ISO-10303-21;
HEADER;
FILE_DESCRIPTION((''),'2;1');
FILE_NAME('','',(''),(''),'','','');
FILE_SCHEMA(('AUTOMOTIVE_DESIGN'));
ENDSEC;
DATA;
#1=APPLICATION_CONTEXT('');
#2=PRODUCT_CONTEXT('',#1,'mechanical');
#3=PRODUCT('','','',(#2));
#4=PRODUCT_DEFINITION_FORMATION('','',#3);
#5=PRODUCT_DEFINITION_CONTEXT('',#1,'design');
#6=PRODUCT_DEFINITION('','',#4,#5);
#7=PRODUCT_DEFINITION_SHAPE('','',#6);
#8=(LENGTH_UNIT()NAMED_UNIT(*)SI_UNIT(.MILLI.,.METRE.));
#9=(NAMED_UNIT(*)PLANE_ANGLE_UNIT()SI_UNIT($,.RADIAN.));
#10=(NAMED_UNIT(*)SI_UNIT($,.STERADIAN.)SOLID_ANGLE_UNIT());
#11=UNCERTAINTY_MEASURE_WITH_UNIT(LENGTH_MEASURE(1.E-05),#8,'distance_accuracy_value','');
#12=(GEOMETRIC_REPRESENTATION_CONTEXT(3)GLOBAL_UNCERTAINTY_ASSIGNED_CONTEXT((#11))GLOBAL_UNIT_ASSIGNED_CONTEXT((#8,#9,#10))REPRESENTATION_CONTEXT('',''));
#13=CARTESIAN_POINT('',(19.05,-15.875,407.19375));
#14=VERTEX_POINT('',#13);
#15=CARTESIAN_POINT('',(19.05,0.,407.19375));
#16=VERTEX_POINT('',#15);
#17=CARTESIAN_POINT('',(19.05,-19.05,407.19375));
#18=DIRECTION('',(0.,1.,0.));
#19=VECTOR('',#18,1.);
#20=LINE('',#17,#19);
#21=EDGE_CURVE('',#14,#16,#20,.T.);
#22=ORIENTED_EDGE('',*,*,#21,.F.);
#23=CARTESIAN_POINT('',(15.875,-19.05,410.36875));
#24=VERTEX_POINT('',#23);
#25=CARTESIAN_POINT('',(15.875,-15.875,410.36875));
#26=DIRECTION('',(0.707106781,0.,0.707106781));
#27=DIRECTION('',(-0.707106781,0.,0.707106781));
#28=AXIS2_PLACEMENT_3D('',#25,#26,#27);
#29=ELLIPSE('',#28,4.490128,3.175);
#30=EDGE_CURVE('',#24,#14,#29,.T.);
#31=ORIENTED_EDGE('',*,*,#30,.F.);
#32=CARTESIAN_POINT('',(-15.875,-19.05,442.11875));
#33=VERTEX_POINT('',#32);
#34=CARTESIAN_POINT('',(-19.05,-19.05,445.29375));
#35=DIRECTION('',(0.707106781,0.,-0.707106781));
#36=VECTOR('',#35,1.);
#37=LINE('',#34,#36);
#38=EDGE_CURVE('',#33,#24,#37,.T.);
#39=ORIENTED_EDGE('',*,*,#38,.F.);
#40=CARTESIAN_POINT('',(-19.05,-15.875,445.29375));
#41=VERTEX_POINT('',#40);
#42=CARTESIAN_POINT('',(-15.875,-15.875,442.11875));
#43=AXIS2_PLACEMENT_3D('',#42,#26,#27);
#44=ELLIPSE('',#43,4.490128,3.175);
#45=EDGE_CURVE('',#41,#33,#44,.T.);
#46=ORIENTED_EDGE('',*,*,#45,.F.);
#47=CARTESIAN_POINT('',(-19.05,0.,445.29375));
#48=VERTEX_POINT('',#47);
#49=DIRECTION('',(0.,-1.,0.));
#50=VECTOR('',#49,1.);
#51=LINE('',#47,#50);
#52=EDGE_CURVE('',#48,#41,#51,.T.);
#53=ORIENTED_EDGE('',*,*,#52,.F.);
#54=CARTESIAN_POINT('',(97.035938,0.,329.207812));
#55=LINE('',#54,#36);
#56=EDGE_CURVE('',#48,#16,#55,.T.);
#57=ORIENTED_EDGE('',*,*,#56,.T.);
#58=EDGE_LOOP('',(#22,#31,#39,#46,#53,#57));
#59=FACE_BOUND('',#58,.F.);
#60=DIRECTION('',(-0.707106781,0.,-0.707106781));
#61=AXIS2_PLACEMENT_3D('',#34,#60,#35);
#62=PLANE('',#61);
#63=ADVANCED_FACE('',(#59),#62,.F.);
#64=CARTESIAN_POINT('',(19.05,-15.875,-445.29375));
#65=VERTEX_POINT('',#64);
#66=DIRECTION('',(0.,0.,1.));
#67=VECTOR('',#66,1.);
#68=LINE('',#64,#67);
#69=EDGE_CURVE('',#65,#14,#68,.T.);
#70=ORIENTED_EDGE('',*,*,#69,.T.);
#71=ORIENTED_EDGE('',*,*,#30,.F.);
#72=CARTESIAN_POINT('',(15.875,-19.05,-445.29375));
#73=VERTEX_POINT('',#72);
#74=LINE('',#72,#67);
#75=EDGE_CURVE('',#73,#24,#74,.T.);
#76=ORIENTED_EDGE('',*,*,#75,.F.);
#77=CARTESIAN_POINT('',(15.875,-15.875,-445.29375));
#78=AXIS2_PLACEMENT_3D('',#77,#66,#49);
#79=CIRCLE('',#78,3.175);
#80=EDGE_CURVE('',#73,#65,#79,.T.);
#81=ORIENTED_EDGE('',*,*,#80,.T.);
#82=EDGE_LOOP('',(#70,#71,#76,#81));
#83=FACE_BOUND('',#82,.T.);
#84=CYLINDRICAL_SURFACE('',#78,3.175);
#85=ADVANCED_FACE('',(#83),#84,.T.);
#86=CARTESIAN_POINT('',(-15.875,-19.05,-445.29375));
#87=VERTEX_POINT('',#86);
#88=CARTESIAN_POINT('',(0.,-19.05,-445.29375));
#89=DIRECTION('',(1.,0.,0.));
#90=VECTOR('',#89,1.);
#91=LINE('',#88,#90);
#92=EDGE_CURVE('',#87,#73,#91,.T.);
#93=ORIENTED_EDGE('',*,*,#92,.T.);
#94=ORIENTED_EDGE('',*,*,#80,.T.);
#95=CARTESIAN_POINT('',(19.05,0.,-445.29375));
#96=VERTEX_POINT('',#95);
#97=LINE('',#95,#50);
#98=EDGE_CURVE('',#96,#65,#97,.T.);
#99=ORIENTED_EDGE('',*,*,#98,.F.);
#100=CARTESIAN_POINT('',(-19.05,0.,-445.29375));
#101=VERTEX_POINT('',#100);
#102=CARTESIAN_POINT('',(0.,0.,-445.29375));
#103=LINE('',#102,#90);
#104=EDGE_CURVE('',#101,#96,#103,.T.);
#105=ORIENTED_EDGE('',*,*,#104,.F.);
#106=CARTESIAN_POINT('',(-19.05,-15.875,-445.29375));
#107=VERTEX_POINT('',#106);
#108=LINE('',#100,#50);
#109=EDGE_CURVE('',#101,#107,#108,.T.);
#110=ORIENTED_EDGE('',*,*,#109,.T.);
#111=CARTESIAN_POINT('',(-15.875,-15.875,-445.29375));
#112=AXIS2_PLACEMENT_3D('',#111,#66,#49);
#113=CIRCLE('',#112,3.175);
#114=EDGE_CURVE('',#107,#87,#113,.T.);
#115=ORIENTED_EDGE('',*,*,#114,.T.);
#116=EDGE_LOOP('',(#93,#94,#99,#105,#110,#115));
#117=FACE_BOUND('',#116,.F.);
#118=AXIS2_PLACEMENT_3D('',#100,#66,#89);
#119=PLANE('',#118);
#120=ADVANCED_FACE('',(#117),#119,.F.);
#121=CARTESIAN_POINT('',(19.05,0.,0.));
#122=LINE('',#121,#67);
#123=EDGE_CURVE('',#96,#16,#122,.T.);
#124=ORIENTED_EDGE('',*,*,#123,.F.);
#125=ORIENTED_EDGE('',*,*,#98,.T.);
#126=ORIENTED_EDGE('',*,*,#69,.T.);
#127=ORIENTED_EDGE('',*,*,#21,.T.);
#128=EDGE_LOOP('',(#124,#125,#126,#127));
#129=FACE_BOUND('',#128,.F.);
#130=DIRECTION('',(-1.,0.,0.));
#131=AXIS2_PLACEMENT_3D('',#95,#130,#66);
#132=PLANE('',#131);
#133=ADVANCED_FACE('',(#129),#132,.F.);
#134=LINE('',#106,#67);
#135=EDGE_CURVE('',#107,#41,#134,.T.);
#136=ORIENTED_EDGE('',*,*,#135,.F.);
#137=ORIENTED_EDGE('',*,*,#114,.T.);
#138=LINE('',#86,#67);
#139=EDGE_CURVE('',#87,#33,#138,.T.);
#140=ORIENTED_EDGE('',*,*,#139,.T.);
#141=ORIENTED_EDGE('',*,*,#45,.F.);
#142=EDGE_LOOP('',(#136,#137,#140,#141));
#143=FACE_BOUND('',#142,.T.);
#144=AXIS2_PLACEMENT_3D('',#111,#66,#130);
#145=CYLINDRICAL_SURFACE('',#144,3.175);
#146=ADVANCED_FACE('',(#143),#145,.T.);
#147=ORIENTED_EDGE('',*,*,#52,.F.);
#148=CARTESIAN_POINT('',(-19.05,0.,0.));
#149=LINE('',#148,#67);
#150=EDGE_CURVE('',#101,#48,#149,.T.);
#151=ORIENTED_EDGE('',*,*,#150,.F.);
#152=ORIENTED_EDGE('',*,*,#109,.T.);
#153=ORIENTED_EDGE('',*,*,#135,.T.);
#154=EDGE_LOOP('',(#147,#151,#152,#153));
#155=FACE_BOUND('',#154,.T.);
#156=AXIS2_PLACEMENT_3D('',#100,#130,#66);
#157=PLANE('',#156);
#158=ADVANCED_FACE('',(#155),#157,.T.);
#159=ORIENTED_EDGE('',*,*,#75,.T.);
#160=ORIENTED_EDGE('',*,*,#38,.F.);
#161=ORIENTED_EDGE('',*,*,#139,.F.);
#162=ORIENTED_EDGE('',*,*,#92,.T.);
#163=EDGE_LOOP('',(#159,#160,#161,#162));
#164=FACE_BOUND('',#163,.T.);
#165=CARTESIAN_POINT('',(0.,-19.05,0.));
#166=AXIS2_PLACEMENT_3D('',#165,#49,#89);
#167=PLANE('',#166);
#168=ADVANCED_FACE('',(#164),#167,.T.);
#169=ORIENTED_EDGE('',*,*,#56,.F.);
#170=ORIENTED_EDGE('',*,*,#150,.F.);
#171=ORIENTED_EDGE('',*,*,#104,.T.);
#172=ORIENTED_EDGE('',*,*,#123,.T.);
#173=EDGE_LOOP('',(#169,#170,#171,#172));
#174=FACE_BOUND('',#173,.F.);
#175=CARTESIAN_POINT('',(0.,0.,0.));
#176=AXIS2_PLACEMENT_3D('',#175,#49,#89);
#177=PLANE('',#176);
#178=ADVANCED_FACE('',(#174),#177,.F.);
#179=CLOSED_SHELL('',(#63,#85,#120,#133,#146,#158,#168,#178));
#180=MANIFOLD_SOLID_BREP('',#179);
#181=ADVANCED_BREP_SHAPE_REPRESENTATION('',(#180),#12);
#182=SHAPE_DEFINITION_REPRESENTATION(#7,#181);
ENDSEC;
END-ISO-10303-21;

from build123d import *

# Parameters (mm, degrees)
F0_W     = 38.1
F0_H     = 890.5875
F1_DEPTH = 19.05
F3_DEPTH = 19.051
F4_R     = 3.175


with BuildPart() as f1:
    # F0 (on Front) → F1 (new body)
    with BuildSketch(Plane.XZ):
        Rectangle(F0_W, F0_H)
    extrude(amount=F1_DEPTH)

    # F2 (on face) → F3 (cut, through all)
    with BuildSketch(Plane.XZ.offset(19.05)):
        Polygon((19.05, 445.29375), (-19.05, 445.29375), (19.05, 407.19375), align=None)
    extrude(amount=-F3_DEPTH, mode=Mode.SUBTRACT)

    # F4
    f4_edges = [f1.edges().sort_by_distance(p)[0] for p in [
        (-19.05, -19.05, 0),
        (19.05, -19.05, -19.05),
    ]]
    fillet(f4_edges, radius=F4_R)


solid = f1.part
